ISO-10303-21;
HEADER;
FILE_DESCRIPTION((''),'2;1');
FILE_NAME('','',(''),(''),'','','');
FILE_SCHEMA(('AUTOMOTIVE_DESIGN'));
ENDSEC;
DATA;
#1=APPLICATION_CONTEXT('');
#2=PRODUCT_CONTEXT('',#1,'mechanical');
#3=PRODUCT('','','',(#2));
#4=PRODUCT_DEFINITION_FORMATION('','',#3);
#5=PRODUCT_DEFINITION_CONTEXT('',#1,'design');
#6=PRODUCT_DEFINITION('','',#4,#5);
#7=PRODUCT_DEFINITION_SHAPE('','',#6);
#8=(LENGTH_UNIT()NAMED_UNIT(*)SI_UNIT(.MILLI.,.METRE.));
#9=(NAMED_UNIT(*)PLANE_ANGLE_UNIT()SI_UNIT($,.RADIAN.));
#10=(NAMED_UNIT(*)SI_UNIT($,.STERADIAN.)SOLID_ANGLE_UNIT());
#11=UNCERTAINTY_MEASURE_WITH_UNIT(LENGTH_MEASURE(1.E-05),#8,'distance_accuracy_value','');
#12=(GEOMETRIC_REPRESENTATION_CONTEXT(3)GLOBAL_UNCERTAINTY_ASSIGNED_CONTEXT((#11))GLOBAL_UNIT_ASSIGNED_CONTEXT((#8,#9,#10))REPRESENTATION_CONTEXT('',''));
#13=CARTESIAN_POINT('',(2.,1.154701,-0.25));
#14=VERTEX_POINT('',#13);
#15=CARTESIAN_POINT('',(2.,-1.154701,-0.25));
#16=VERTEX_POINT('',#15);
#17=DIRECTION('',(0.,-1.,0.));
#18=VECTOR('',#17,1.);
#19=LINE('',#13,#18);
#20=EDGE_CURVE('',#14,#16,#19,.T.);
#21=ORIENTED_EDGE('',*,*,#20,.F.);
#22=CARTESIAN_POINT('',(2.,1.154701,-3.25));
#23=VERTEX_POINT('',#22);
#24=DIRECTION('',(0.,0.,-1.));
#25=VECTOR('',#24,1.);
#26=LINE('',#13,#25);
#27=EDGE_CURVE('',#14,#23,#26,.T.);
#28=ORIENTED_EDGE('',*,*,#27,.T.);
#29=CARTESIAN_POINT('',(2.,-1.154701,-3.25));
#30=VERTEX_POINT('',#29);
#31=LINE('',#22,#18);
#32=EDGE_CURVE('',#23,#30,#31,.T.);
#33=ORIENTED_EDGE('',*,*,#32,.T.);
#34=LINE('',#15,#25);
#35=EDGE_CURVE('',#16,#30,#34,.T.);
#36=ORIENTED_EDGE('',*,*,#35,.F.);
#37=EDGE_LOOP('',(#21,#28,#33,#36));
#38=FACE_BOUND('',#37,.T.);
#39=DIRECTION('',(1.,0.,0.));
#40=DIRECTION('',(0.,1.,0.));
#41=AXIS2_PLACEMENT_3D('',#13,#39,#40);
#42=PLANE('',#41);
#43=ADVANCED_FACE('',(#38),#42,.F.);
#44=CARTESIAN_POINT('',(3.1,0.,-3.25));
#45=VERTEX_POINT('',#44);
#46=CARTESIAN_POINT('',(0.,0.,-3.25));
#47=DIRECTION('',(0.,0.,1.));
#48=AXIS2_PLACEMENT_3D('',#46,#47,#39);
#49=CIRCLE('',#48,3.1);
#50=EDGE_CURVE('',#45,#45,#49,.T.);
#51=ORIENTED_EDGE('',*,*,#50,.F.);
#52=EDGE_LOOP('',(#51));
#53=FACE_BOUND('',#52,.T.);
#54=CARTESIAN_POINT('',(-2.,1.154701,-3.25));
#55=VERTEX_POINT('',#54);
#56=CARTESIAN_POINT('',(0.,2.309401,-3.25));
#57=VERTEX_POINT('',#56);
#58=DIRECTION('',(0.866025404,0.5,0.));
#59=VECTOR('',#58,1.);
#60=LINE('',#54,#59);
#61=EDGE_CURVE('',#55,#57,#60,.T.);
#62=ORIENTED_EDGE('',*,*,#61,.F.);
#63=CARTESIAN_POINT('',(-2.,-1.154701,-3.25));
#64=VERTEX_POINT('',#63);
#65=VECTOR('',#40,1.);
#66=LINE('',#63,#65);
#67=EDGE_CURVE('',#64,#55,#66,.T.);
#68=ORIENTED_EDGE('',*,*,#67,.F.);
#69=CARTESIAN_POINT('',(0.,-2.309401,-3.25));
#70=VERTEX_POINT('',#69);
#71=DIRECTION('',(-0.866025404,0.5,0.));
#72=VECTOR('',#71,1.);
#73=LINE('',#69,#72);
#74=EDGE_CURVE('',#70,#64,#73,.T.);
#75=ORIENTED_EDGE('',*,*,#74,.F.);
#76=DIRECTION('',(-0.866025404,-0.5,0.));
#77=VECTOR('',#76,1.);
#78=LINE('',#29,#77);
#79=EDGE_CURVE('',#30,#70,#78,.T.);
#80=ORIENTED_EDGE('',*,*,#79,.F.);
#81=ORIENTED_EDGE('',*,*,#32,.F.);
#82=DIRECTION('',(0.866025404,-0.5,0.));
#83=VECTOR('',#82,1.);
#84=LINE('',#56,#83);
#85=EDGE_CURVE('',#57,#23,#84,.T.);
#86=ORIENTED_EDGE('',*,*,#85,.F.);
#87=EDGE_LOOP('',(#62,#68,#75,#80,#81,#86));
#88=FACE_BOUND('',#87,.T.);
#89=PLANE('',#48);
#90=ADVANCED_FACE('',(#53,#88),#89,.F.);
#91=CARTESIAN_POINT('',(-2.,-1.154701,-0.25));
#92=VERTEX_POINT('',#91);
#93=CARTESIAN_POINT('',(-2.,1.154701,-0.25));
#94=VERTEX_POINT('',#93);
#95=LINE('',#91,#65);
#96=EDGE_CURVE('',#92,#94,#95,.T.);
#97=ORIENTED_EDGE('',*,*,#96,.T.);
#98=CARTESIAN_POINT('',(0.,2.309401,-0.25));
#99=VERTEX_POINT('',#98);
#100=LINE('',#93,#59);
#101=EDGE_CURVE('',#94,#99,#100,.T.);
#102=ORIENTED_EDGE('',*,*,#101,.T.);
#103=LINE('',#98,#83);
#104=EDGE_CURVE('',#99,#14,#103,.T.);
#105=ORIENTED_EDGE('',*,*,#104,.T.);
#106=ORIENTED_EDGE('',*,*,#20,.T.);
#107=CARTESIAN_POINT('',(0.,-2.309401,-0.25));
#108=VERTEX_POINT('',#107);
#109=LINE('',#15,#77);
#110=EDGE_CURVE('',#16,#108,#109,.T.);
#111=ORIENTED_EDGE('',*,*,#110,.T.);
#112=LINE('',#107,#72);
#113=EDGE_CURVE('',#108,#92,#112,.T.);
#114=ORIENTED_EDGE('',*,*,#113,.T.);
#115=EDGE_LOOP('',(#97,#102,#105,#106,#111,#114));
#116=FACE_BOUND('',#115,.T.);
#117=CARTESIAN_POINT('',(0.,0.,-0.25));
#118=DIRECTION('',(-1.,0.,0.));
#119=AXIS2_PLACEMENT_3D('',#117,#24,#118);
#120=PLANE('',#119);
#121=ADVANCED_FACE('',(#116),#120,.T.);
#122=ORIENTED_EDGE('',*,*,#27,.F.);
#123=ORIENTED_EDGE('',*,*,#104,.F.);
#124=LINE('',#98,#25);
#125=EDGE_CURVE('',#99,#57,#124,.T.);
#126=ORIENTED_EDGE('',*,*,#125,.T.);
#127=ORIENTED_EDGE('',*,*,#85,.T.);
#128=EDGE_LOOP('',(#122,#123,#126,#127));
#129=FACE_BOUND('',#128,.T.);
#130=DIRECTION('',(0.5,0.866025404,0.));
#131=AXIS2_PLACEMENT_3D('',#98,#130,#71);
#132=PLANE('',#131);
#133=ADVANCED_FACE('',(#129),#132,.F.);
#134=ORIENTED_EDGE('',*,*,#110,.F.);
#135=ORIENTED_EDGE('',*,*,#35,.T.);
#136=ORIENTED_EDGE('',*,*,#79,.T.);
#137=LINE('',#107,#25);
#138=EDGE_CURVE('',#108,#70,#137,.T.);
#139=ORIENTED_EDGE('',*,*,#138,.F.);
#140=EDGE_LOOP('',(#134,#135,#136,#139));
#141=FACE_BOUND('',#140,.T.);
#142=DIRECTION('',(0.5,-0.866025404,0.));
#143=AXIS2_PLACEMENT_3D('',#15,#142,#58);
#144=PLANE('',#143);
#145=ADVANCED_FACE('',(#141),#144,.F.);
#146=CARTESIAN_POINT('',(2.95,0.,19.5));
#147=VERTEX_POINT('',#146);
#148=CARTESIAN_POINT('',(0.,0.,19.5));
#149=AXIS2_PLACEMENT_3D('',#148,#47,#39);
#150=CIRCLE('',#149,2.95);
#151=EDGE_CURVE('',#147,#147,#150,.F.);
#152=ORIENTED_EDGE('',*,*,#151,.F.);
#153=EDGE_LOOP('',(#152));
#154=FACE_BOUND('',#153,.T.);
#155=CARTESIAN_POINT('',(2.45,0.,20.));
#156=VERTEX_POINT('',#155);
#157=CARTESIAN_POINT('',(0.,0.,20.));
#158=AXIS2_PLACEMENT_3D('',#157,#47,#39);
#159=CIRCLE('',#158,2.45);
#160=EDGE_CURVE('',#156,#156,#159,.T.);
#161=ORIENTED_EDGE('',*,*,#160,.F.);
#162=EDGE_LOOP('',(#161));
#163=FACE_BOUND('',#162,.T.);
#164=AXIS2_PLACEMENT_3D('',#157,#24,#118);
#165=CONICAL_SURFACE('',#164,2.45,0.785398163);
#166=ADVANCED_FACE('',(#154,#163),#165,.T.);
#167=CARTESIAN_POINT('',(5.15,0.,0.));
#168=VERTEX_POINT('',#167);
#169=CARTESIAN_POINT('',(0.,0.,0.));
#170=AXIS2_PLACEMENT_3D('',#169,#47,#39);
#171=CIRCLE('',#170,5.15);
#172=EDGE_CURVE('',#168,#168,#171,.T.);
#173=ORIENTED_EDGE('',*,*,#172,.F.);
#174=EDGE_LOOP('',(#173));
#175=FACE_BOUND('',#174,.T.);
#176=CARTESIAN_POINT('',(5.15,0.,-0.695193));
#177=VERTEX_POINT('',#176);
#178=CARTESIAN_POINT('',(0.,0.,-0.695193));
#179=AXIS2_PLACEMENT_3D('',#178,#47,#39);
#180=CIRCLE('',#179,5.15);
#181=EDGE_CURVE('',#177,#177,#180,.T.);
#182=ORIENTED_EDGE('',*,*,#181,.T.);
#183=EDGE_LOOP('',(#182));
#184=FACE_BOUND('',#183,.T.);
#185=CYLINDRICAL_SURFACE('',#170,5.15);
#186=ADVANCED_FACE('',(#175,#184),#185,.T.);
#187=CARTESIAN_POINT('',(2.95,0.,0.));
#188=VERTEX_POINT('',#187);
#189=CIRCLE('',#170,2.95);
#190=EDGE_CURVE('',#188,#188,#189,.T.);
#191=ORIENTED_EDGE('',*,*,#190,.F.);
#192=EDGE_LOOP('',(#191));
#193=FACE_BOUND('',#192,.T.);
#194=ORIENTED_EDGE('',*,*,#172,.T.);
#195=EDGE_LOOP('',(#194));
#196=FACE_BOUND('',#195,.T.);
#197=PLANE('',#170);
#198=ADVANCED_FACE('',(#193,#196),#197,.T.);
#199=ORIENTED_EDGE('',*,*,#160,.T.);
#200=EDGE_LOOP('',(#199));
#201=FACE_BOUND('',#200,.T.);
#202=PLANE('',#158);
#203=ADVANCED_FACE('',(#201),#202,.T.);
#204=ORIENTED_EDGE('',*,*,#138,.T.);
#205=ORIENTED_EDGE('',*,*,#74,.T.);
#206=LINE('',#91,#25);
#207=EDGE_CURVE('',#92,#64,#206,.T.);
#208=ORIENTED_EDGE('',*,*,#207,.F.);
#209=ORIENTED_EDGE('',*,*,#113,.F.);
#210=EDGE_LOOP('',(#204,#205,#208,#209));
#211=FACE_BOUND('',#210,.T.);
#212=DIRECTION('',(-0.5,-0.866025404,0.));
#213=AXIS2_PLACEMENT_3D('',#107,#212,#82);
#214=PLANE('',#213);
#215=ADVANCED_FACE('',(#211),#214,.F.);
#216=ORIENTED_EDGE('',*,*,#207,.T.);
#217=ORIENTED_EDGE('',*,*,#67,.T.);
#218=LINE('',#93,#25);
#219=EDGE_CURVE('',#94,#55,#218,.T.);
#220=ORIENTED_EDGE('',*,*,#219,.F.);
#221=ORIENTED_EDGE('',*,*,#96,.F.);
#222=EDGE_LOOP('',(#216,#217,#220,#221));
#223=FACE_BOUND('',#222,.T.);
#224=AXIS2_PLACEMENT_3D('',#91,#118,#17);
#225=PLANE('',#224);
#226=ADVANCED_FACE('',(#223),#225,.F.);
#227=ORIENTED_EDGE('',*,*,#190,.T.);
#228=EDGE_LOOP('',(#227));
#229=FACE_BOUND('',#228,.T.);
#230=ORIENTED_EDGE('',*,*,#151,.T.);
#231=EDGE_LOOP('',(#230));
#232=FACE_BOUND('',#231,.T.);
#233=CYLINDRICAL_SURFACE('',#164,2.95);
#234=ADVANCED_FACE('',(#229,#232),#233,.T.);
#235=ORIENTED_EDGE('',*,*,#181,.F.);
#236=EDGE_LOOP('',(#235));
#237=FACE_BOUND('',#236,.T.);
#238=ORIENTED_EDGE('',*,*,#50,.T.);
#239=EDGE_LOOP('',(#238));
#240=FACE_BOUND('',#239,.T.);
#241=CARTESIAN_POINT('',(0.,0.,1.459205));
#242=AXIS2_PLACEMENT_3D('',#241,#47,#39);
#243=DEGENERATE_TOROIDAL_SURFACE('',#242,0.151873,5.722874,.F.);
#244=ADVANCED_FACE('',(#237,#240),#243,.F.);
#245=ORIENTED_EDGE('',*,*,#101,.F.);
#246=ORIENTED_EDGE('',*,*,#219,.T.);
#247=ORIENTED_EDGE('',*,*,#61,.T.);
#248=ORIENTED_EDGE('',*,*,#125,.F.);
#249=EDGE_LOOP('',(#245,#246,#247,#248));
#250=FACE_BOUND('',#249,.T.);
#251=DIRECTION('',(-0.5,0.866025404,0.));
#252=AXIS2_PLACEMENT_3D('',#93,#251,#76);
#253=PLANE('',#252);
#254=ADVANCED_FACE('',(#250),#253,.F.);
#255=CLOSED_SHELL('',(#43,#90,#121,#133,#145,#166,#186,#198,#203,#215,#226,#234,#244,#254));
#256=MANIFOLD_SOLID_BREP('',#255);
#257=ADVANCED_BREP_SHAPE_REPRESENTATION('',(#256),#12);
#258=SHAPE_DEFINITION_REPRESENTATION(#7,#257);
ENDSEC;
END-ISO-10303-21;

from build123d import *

# Parameters (mm, degrees)
SKIZZE1_R                       = 2.95
AUFSATZ_LINEAR_AUSTRAGEN1_DEPTH = 20
FASE1_SIZE                      = 0.5
SCHNITT_LINEAR_AUSTRAGEN1_DEPTH = 3


with BuildPart() as part:
    # Skizze1 → Aufsatz-Linear austragen1 (new body)
    with BuildSketch(Plane.XY):
        Circle(SKIZZE1_R)
    extrude(amount=AUFSATZ_LINEAR_AUSTRAGEN1_DEPTH)

    # Skizze2 → Rotation1 (revolve)
    with BuildSketch(Plane(origin=(0, 0, 0), x_dir=(0, 0, -1), z_dir=(1, 0, 0)), mode=Mode.PRIVATE) as rotation1_sk:
        with BuildLine():
            Line((3.25, 0), (3.25, 3.1))
            ThreePointArc((3.25, 3.1), (2.122398964, 4.311690857), (0.695193089, 5.15))
            Line((0.695193089, 5.15), (0, 5.15))
            Line((0, 5.15), (0, 0))
            Line((0, 0), (3.25, 0))
        make_face()
    revolve(rotation1_sk.sketch.rotate(Axis((0, 0, 0), (0, 0, -1)), 90), axis=Axis((0, 0, 0), (0, 0, -1)))

    # Fase1
    fase1_edges = [part.edges().sort_by_distance(p)[0] for p in [
        (-2.95, 0, 20),
    ]]
    chamfer(fase1_edges, length=FASE1_SIZE)

    # Skizze3 → Schnitt-Linear austragen1 (cut)
    with BuildSketch(Plane(origin=(0, 0, -3.25), x_dir=(-1, 0, 0), z_dir=(0, 0, -1))):
        Polygon((2, 1.154700538), (0, 2.309401077), (-2, 1.154700538), (-2, -1.154700538), (0, -2.309401077), (2, -1.154700538), align=None)
    extrude(amount=-SCHNITT_LINEAR_AUSTRAGEN1_DEPTH, mode=Mode.SUBTRACT)


solid = part.part
